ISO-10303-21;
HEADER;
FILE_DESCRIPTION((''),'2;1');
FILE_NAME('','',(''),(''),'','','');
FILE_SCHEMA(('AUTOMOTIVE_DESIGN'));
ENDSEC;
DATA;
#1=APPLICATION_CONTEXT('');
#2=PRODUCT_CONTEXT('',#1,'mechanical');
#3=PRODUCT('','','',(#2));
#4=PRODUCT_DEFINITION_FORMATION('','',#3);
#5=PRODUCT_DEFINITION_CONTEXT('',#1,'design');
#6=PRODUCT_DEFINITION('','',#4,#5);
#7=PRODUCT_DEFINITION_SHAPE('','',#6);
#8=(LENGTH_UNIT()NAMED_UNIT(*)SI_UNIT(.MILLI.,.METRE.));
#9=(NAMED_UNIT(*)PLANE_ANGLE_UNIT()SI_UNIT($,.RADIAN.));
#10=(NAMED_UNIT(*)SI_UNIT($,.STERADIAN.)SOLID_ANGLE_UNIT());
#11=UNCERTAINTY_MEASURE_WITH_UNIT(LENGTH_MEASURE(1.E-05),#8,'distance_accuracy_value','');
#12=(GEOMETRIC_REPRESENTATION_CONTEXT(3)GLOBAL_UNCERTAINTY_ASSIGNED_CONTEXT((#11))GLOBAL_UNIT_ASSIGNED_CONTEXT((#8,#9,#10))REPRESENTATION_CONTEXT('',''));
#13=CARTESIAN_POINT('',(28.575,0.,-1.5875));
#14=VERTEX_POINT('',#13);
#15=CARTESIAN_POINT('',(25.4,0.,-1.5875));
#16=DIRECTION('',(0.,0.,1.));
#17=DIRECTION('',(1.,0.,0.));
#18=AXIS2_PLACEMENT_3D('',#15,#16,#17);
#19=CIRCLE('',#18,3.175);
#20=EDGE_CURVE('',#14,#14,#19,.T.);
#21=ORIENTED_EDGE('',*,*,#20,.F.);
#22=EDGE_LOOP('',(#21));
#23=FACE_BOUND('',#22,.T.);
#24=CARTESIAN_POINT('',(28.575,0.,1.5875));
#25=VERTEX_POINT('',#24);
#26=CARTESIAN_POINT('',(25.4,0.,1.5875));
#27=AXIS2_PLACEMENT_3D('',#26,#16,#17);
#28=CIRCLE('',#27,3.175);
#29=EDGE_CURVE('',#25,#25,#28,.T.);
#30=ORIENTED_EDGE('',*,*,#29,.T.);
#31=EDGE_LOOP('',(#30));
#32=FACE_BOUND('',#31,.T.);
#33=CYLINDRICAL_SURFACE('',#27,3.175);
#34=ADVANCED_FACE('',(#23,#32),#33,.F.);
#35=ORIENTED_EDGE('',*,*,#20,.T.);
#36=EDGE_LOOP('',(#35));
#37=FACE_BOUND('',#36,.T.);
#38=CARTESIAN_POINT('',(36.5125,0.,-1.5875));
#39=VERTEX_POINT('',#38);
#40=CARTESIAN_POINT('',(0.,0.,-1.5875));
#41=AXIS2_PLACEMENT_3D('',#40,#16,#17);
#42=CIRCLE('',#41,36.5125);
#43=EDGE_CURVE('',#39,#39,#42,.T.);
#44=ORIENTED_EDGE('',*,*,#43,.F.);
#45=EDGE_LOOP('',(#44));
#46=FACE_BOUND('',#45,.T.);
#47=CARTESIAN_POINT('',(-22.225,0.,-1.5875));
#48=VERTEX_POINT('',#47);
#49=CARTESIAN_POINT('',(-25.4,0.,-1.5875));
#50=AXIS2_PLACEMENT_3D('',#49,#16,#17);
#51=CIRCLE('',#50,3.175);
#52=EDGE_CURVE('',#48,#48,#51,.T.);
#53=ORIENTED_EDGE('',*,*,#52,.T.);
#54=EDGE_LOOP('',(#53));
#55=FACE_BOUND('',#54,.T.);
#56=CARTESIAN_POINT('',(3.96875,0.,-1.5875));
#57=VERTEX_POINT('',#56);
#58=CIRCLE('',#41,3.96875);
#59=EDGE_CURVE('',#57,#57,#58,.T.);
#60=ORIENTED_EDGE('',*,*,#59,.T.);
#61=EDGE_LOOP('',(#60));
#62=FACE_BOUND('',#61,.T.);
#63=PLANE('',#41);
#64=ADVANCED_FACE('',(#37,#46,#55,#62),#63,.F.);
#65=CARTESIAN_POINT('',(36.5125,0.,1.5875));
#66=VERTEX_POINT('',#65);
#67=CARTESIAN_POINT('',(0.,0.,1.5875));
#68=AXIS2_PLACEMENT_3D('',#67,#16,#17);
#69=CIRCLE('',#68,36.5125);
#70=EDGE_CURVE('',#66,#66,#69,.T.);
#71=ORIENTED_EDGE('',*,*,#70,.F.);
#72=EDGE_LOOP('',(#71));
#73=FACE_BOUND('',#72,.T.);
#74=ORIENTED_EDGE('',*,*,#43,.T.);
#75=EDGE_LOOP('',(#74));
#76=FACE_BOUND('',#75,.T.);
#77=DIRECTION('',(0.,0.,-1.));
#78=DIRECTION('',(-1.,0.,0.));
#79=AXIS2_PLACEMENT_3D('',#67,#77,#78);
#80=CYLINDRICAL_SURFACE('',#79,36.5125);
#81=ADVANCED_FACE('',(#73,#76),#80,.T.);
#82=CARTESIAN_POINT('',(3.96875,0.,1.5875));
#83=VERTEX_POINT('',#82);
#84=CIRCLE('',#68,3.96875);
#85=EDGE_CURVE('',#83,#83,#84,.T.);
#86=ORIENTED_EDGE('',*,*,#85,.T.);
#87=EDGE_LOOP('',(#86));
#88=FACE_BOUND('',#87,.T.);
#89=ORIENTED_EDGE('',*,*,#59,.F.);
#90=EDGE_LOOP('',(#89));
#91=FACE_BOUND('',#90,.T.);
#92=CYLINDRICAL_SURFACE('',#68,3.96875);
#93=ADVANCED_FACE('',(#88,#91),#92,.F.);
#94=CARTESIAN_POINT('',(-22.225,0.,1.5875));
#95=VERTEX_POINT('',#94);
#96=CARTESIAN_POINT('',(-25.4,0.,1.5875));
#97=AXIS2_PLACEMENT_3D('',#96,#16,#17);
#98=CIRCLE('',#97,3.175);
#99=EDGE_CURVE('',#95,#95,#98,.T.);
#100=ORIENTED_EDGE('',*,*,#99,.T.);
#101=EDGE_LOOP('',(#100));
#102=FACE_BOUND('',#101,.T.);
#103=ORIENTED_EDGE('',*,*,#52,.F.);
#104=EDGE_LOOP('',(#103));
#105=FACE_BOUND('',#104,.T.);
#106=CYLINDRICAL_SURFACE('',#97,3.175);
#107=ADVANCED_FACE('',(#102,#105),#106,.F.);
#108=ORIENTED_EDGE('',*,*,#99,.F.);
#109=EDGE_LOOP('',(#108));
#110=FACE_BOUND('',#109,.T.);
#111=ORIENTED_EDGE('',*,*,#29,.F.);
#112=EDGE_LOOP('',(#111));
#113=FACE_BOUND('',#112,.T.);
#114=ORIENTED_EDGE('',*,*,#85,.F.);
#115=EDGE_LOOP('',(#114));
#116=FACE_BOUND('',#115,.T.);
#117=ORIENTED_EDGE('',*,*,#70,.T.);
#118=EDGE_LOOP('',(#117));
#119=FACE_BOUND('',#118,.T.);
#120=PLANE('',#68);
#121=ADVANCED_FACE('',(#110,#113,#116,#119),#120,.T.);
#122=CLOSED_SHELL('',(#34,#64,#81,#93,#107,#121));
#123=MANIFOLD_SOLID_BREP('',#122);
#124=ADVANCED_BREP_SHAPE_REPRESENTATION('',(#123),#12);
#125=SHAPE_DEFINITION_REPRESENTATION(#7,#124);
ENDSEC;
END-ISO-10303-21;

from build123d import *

# Parameters (mm, degrees)
SKETCH1_R                          = 36.5125
BOSS_EXTRUDE1_DEPTH                = 1.5875
F_1_4_0_25_DIAMETER_HOLE1_D        = 6.35
F_5_16_0_3125_DIAMETER_HOLE1_D     = 7.9375
F_5_16_0_3125_DIAMETER_HOLE1_DEPTH = 3.302


with BuildPart() as part:
    # Sketch1 → Boss-Extrude1 (new body, symmetric)
    with BuildSketch(Plane.XY):
        Circle(SKETCH1_R)
    extrude(amount=BOSS_EXTRUDE1_DEPTH, both=True)

    # 1/4 (0.25) Diameter Hole1 (through all)
    with Locations(Plane.XY.offset(1.5875)):
        with Locations((-25.4, 0), (25.4, 0)):
            Hole(F_1_4_0_25_DIAMETER_HOLE1_D / 2)

    # 5/16 (0.3125) Diameter Hole1
    with Locations(Plane.XY.offset(1.5875)):
        with Locations((0, 0)):
            Hole(F_5_16_0_3125_DIAMETER_HOLE1_D / 2, depth=F_5_16_0_3125_DIAMETER_HOLE1_DEPTH)


solid = part.part
